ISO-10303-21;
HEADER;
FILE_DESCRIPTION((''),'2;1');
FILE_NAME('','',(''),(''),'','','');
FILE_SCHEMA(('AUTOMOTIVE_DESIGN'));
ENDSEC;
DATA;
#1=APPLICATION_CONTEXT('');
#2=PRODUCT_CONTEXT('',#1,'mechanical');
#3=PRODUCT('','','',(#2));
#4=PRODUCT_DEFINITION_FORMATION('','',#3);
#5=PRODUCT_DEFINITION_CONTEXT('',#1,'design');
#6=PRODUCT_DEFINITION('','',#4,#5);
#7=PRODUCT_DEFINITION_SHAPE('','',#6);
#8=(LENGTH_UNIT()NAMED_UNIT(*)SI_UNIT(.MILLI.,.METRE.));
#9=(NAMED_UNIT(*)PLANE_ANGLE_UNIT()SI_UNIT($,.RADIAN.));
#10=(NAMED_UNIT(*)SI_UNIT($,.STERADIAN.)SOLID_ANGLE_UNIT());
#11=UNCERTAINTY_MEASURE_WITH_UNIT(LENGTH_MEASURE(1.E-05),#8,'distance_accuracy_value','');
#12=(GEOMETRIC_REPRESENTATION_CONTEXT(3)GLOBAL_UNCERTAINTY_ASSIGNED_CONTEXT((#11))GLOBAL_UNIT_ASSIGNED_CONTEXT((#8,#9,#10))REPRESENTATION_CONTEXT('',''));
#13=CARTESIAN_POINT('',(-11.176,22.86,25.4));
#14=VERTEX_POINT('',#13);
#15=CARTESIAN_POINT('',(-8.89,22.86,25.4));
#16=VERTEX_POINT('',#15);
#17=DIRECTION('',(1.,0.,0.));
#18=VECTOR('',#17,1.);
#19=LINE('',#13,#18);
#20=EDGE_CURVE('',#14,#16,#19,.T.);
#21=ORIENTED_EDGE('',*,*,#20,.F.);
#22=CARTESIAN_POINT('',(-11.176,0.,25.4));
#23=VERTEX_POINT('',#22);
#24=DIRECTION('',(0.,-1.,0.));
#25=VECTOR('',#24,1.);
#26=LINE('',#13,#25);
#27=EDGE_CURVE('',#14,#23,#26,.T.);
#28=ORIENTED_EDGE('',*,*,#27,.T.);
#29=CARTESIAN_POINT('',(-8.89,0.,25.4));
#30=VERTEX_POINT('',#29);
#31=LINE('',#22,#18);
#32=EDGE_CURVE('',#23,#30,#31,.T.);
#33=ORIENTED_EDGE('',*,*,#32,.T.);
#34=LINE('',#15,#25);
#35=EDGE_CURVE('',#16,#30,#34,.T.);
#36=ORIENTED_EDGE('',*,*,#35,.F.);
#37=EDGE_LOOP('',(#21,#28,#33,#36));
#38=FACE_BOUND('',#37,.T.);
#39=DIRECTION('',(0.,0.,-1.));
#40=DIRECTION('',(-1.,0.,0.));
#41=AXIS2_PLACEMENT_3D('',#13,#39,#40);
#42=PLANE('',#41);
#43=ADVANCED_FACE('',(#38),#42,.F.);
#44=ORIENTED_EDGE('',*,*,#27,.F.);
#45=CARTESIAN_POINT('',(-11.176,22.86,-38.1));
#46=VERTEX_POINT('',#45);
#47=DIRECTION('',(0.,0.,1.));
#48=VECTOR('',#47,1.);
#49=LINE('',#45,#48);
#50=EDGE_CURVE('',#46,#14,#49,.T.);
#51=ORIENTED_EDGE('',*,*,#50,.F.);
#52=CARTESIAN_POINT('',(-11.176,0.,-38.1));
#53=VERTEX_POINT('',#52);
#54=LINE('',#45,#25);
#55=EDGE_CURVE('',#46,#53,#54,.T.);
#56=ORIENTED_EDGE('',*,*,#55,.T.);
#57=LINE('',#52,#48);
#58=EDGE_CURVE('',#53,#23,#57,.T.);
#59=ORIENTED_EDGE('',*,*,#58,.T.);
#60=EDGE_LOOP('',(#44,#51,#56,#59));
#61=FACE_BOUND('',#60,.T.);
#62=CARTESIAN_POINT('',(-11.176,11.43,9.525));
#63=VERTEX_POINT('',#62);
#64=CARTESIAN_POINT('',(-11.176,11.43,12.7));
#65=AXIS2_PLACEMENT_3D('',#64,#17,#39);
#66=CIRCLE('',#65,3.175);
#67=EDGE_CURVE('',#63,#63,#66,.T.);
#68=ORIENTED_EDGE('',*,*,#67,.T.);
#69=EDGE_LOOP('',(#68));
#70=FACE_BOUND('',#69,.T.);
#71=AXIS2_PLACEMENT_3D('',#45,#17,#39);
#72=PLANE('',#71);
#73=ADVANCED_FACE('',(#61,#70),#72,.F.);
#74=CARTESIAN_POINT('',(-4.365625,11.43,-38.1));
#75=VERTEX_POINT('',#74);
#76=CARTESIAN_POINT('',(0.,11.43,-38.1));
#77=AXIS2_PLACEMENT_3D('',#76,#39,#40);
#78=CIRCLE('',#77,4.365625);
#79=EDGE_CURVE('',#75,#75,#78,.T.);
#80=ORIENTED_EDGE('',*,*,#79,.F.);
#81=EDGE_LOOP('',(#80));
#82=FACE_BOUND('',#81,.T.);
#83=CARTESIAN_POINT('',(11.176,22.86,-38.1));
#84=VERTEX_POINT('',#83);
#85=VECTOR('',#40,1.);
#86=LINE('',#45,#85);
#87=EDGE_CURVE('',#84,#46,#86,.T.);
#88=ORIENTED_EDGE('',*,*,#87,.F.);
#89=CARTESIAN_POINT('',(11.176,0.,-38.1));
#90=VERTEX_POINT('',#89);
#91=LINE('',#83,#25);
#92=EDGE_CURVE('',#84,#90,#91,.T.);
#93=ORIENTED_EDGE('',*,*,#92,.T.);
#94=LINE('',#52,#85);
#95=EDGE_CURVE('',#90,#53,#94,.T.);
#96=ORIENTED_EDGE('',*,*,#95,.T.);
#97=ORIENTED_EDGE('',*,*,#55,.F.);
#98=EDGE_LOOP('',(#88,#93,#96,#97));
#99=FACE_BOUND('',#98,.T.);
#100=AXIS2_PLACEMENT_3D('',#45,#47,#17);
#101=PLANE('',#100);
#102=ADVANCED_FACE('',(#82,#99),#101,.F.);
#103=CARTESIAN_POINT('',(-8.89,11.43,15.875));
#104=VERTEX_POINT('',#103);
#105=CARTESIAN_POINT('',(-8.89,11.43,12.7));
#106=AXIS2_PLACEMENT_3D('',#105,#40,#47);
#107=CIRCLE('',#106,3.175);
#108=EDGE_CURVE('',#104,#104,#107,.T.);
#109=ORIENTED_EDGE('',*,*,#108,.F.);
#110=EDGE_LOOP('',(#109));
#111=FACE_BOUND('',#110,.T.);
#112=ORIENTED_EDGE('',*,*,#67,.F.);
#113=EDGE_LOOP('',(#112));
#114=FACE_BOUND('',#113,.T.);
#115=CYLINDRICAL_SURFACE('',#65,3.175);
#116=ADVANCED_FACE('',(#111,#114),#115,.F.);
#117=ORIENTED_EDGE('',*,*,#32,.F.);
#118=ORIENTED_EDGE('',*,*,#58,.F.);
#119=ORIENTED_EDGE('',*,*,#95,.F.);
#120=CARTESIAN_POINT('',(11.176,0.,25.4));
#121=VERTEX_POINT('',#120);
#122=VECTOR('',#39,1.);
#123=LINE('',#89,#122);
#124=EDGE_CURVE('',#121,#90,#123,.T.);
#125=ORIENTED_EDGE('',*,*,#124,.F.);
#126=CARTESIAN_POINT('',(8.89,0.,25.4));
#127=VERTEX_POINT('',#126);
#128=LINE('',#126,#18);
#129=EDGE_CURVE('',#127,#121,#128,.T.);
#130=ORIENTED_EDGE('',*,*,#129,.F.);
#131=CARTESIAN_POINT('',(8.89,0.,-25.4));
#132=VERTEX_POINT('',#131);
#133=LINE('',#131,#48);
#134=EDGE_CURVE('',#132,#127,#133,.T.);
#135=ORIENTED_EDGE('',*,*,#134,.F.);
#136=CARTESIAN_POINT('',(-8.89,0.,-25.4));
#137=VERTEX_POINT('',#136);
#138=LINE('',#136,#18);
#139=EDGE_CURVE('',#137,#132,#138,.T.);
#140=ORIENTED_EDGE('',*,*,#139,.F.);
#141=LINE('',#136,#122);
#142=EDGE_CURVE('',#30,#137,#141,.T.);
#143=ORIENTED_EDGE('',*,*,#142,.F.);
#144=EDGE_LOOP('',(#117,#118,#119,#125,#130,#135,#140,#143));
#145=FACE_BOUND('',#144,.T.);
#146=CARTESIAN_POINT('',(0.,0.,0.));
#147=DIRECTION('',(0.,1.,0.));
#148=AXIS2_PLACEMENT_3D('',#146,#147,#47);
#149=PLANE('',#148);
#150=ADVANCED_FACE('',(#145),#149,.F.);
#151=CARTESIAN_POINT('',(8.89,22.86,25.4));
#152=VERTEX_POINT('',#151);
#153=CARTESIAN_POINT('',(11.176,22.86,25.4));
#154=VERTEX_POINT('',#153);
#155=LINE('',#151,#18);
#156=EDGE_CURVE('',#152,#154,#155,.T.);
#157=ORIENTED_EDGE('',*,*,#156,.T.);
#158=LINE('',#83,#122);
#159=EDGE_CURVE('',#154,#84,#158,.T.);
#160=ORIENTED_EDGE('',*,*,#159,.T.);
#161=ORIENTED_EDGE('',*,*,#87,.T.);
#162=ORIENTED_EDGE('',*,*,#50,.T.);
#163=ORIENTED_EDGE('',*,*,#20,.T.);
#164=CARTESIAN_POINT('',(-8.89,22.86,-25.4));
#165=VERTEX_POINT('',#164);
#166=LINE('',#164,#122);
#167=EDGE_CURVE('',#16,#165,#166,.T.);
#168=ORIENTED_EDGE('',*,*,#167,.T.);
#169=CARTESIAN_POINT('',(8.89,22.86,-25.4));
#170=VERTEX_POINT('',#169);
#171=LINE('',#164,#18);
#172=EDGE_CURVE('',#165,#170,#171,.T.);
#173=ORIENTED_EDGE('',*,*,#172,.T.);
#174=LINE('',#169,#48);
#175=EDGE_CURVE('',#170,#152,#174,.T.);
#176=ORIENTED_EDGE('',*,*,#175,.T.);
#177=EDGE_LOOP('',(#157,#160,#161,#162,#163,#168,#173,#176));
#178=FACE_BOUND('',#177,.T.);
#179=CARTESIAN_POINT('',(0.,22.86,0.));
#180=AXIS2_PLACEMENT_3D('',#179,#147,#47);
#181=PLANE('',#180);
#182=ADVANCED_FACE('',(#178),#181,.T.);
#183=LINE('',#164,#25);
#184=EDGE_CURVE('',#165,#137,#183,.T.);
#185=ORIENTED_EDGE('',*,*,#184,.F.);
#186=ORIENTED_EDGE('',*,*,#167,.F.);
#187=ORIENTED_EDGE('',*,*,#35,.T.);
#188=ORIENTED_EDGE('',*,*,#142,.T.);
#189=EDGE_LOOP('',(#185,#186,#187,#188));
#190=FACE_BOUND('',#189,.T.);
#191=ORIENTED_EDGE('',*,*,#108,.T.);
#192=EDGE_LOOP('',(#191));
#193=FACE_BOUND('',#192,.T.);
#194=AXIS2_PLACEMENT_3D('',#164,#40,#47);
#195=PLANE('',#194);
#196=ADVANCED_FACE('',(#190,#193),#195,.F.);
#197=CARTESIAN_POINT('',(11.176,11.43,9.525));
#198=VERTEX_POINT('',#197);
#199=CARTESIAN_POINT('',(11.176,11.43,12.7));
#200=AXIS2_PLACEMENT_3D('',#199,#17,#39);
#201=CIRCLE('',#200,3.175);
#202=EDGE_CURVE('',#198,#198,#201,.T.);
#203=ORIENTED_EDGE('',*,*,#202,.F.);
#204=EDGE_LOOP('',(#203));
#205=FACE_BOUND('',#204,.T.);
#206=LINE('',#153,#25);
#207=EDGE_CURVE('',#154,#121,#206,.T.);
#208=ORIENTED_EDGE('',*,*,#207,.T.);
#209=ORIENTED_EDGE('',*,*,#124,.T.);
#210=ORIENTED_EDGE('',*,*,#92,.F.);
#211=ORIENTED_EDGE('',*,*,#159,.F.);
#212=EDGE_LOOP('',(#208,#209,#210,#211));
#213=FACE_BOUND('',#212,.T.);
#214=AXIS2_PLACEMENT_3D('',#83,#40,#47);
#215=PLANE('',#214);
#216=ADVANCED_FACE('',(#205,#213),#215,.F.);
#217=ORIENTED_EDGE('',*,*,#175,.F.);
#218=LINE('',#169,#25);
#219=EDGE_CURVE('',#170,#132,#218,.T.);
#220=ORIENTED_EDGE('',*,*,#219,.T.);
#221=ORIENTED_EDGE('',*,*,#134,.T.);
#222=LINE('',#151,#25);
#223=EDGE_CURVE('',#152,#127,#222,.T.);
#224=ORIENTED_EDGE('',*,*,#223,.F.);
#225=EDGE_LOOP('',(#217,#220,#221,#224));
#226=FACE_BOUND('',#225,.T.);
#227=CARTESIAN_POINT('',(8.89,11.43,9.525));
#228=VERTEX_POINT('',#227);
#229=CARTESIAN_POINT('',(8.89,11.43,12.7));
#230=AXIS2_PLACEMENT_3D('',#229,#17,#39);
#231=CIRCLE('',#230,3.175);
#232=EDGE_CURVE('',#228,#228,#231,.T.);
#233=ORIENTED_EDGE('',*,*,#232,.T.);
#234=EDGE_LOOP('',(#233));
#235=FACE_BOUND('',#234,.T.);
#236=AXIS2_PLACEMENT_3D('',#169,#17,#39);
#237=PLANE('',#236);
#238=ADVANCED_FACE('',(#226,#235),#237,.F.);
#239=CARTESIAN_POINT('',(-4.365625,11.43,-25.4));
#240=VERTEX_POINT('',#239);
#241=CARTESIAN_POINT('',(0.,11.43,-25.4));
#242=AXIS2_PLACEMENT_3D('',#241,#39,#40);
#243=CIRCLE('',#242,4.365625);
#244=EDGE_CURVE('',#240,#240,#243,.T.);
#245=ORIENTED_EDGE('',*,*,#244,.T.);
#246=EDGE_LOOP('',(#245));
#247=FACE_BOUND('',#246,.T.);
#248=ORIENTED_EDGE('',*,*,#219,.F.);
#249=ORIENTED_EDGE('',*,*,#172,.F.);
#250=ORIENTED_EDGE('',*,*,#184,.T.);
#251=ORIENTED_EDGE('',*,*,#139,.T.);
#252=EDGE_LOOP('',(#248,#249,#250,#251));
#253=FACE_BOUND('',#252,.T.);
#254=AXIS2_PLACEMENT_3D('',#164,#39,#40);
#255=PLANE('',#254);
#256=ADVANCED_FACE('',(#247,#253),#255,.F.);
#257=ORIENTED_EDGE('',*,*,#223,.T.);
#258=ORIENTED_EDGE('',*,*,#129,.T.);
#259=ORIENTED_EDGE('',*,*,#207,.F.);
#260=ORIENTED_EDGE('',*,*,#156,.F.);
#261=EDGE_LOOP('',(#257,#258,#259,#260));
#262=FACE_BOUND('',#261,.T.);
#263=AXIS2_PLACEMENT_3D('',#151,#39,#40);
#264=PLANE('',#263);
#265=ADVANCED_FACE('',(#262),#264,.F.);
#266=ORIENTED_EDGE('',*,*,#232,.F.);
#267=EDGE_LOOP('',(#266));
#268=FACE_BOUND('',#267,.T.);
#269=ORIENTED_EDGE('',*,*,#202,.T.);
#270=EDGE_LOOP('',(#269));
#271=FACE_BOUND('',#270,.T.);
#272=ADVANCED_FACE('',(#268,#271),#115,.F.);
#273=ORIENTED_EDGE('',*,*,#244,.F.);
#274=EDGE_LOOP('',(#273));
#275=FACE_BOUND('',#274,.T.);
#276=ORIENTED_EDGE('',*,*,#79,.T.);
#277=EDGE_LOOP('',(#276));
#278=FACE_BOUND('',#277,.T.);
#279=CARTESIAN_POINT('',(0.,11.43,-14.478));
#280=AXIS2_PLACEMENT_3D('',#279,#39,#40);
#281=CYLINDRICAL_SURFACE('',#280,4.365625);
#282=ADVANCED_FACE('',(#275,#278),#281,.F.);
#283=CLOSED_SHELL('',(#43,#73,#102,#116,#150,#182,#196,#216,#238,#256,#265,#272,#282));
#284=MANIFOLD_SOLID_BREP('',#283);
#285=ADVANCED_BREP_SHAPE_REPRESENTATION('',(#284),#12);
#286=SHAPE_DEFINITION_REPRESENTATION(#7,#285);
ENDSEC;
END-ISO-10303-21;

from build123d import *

# Parameters (mm, degrees)
BOSS_EXTRUDE1_DEPTH = 22.86
SKETCH2_R           = 3.175
CUT_EXTRUDE1_DEPTH  = 50.737325059
SKETCH3_R           = 4.365625
CUT_EXTRUDE2_DEPTH  = 23.622


with BuildPart() as part:
    # Sketch1 → Boss-Extrude1 (new body)
    with BuildSketch(Plane(origin=(0, 0, 0), x_dir=(1, 0, 0), z_dir=(0, 1, 0))):
        Polygon((-11.176, -25.4), (-8.89, -25.4), (-8.89, 25.4), (8.89, 25.4), (8.89, -25.4), (11.176, -25.4), (11.176, 38.1), (-11.176, 38.1), align=None)
    extrude(amount=BOSS_EXTRUDE1_DEPTH)

    # Sketch2 → Cut-Extrude1 (cut, through all)
    with BuildSketch(Plane(origin=(11.176, 0, 0), x_dir=(0, 0, -1), z_dir=(1, 0, 0))):
        with Locations((-12.7, 11.43)):
            Circle(SKETCH2_R)
    extrude(amount=-CUT_EXTRUDE1_DEPTH, mode=Mode.SUBTRACT)

    # Sketch3 → Cut-Extrude2 (cut)
    with BuildSketch(Plane(origin=(0, 0, -38.1), x_dir=(-1, 0, 0), z_dir=(0, 0, -1))):
        with Locations((0, 11.43)):
            Circle(SKETCH3_R)
    extrude(amount=-CUT_EXTRUDE2_DEPTH, mode=Mode.SUBTRACT)


solid = part.part
